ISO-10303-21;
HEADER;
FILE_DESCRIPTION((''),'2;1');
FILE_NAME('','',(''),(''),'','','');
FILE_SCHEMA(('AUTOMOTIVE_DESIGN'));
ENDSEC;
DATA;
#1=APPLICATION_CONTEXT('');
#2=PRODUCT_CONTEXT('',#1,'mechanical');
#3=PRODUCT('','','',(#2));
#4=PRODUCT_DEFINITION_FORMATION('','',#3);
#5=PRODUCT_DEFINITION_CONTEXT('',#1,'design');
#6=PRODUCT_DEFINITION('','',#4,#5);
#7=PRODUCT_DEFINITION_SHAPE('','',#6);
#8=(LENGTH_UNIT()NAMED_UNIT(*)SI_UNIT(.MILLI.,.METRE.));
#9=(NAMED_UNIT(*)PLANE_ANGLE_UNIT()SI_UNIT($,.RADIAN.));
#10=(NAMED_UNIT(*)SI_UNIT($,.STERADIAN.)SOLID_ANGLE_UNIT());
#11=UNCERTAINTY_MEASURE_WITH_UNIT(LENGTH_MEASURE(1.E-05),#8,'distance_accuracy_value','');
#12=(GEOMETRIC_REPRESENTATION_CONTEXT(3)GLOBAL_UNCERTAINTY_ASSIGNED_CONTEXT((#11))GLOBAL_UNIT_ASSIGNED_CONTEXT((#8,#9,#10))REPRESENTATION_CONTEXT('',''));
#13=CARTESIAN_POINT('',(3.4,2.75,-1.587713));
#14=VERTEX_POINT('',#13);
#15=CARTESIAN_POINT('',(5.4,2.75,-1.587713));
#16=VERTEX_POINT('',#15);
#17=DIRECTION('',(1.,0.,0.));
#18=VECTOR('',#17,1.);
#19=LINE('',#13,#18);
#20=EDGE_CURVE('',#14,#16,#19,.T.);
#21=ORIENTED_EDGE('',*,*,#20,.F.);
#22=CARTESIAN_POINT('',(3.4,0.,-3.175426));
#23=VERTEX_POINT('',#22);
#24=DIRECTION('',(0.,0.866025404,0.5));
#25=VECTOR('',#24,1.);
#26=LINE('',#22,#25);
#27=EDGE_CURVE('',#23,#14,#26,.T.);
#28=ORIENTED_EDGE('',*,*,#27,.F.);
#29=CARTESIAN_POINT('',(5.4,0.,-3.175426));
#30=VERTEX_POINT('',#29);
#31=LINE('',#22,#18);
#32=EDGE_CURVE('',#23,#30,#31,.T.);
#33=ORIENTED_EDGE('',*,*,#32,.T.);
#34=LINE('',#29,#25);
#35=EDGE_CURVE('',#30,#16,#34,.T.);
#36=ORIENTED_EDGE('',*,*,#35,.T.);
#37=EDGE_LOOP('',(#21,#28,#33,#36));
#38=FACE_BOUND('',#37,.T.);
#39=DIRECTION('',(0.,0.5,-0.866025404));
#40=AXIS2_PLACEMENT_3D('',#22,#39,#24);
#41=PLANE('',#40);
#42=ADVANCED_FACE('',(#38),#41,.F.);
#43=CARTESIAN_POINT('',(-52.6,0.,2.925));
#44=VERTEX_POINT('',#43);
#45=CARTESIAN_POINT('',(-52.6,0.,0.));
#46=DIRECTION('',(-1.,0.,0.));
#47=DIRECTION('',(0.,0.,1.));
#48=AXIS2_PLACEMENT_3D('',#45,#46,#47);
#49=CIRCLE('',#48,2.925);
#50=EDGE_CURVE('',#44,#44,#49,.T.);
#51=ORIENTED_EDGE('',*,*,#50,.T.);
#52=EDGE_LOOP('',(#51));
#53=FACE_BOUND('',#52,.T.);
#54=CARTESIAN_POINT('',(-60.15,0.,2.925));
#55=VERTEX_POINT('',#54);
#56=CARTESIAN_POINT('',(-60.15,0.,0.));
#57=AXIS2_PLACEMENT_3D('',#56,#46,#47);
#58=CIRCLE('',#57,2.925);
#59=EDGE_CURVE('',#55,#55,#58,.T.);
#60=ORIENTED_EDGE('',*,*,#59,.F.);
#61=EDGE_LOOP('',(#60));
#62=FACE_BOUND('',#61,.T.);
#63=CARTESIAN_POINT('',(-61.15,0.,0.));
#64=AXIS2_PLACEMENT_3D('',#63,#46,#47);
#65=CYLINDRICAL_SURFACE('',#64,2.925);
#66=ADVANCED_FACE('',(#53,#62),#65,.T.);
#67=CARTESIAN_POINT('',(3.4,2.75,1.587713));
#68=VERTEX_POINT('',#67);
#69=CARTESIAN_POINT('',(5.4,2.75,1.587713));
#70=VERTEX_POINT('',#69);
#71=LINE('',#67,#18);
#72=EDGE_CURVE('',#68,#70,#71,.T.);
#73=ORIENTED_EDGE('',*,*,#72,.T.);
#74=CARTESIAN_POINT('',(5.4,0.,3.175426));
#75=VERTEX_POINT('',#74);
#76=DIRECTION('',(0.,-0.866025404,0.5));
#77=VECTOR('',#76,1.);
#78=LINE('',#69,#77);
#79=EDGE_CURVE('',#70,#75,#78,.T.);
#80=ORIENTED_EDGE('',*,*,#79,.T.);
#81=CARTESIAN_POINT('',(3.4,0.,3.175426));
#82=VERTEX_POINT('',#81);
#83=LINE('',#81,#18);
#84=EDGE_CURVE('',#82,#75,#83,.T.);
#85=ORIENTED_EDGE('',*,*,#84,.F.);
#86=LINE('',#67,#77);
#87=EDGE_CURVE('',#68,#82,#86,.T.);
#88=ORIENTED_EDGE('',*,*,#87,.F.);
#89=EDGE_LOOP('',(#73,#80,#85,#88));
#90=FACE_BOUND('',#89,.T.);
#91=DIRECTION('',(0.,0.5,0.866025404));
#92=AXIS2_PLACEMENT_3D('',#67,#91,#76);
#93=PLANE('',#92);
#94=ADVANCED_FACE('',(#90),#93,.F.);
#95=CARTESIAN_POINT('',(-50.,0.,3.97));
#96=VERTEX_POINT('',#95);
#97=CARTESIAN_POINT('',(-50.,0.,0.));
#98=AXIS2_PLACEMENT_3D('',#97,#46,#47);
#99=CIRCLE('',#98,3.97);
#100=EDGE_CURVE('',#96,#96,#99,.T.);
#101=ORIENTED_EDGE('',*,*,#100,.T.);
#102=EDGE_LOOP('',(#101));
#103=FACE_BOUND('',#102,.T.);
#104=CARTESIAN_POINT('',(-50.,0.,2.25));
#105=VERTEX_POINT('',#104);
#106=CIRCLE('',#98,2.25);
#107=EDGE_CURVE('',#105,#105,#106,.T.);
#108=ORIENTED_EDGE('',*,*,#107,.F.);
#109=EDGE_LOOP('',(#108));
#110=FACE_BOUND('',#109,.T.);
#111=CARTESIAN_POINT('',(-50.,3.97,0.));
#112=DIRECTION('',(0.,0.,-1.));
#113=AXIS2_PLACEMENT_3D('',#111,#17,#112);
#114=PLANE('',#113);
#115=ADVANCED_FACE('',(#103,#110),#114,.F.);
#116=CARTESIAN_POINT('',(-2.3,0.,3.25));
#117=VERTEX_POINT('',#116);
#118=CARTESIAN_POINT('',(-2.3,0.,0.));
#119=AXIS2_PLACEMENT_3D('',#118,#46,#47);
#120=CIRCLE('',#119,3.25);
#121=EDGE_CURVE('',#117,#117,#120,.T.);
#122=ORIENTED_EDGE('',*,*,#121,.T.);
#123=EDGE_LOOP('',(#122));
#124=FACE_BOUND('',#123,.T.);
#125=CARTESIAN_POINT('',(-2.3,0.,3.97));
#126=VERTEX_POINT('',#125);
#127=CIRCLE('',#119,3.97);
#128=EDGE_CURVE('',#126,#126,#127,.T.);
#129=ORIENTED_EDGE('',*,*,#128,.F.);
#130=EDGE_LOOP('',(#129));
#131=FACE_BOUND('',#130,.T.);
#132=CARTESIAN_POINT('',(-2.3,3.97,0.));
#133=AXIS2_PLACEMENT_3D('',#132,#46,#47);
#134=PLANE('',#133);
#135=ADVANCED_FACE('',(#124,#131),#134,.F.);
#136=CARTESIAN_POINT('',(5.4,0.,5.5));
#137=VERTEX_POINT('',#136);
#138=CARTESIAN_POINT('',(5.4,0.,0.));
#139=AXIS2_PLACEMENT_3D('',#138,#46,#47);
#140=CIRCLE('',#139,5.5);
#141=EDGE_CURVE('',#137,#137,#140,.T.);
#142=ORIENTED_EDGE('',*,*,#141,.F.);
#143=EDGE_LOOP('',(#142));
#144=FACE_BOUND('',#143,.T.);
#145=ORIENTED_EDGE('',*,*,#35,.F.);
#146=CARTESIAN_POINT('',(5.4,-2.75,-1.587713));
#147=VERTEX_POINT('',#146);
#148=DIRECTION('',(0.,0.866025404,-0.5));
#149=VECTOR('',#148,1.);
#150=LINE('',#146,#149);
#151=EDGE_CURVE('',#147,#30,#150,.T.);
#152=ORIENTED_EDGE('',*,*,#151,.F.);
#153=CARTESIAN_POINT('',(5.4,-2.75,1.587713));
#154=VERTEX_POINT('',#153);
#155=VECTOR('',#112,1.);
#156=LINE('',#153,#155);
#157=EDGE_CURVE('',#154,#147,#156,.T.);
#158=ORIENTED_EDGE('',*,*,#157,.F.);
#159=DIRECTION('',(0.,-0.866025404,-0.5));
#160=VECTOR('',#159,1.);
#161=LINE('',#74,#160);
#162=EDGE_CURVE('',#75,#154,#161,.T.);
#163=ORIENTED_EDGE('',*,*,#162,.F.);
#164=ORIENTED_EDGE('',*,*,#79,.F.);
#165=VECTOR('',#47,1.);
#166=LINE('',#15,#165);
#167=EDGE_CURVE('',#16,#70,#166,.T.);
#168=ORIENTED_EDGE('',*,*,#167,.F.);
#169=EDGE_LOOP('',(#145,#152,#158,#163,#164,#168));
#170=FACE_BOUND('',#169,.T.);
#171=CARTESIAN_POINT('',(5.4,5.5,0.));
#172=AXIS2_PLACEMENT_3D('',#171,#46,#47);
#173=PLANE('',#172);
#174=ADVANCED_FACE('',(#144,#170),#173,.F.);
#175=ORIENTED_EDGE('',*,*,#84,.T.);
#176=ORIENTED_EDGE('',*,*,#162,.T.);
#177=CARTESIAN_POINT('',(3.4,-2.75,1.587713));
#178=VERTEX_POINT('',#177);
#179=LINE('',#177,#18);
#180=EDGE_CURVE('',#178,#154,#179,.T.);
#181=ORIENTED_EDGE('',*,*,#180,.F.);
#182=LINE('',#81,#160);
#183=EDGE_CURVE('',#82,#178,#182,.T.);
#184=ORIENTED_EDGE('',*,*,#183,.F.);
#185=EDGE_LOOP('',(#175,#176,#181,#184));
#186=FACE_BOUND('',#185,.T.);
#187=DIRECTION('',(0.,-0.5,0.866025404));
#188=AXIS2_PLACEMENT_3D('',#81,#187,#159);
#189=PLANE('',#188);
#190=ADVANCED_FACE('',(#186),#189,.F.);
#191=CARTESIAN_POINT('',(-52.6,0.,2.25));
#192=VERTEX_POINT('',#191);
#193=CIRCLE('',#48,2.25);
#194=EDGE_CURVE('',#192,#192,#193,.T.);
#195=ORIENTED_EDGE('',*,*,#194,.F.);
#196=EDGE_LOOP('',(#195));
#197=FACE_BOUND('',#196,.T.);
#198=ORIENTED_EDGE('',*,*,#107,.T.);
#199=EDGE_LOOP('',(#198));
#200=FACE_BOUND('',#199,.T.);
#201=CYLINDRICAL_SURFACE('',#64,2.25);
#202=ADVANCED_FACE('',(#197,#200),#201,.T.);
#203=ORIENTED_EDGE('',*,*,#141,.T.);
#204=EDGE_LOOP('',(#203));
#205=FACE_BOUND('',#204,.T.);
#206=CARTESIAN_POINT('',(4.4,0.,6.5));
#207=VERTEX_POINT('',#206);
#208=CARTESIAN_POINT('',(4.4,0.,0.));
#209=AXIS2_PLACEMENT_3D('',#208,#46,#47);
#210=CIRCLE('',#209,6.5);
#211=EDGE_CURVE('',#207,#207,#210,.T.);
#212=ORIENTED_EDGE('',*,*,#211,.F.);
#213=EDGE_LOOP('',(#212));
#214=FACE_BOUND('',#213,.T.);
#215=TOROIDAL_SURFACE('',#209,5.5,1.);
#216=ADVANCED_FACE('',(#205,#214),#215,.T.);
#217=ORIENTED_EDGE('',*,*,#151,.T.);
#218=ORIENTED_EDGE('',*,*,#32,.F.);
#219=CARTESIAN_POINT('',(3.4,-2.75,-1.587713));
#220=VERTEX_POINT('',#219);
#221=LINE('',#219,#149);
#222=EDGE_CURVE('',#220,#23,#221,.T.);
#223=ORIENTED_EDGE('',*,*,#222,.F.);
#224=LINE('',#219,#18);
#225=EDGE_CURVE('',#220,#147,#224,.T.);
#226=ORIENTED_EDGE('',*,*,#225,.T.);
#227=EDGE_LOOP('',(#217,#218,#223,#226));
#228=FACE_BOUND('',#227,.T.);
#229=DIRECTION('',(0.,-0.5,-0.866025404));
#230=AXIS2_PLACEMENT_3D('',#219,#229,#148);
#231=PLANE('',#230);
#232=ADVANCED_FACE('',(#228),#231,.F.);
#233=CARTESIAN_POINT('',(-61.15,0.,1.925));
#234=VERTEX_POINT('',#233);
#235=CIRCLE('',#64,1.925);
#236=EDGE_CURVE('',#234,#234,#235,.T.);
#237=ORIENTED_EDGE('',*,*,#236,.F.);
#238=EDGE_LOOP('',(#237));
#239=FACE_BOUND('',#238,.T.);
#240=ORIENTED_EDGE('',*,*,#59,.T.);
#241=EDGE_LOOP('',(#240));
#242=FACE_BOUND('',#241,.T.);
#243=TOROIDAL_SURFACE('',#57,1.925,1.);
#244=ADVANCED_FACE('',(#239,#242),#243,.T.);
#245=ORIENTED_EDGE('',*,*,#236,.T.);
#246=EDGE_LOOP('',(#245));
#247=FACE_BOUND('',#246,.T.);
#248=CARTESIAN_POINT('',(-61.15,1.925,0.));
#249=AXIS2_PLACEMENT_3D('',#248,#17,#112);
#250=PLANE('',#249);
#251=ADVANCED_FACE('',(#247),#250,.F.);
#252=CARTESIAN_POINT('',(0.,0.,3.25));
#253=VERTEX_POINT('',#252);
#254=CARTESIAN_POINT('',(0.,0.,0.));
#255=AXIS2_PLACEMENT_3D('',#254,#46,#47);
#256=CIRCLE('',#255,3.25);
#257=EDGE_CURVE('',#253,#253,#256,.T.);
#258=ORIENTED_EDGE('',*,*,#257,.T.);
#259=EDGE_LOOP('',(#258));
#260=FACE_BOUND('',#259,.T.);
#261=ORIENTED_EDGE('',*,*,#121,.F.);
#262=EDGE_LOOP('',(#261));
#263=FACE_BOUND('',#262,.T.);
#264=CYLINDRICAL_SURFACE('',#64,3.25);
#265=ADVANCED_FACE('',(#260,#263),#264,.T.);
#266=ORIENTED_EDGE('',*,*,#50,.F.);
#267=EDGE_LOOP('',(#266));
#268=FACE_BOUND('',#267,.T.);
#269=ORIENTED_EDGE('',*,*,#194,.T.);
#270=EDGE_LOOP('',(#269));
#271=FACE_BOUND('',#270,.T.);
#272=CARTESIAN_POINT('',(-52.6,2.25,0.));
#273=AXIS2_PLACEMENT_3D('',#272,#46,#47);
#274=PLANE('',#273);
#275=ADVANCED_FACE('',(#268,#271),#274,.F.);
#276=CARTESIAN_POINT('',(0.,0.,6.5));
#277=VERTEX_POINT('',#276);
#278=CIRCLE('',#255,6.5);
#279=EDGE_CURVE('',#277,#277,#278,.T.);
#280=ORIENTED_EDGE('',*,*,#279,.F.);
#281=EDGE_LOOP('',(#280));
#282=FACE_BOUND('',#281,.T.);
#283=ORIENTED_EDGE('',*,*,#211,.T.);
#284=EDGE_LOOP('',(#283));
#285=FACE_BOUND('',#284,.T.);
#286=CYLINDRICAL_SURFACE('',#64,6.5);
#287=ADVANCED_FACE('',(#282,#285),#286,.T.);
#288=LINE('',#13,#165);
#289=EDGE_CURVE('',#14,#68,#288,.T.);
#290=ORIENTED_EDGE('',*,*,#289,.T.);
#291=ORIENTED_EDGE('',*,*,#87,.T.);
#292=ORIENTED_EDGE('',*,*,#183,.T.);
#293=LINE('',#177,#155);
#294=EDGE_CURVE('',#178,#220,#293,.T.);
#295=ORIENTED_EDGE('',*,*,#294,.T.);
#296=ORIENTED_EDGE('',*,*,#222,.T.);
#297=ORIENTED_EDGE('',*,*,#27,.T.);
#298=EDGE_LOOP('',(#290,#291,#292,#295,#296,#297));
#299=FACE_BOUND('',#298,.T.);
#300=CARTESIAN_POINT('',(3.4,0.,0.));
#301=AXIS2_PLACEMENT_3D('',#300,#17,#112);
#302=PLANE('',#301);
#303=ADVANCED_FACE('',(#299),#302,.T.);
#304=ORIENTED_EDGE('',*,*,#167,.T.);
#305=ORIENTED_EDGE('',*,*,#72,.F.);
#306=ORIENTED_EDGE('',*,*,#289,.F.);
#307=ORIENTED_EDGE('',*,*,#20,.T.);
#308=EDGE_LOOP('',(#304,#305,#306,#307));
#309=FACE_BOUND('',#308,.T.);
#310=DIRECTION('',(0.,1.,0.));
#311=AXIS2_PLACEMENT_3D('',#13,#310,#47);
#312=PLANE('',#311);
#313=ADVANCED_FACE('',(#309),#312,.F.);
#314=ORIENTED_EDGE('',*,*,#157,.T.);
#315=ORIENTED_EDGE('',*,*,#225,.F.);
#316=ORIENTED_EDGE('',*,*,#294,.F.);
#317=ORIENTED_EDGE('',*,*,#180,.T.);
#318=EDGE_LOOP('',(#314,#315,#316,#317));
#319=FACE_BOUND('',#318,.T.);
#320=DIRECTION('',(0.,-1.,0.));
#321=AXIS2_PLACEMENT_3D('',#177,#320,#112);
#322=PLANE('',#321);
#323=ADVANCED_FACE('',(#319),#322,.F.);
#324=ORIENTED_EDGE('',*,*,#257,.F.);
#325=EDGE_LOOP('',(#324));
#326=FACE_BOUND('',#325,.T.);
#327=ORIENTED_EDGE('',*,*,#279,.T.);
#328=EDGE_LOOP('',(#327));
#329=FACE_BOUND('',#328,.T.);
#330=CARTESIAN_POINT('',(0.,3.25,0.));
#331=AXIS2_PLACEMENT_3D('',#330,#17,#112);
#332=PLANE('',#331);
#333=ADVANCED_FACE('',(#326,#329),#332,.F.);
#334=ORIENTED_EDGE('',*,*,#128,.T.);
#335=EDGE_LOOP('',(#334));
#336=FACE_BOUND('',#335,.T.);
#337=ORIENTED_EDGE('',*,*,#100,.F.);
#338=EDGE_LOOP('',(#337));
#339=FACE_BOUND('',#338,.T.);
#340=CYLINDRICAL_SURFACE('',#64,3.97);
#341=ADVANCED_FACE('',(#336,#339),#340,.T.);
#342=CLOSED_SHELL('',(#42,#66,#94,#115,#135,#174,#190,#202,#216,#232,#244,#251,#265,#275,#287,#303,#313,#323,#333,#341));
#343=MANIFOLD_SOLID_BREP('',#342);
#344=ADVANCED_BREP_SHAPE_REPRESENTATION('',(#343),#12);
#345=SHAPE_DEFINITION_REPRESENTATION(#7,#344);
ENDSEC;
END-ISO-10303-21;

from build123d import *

# Parameters (mm, degrees)
CUT_EXTRUDE1_DEPTH = 2


with BuildPart() as part:
    # Sketch2 → Revolve1 (revolve)
    with BuildSketch(Plane.XY):
        with BuildLine():
            Line((-50, 3.97), (-2.3, 3.97))
            Line((-2.3, 3.97), (-2.3, 3.25))
            Line((-2.3, 3.25), (0, 3.25))
            Line((0, 3.25), (0, 6.5))
            Line((0, 6.5), (4.4, 6.5))
            ThreePointArc((4.4, 6.5), (5.107106781, 6.207106781), (5.4, 5.5))
            Line((5.4, 5.5), (5.4, 0))
            Line((5.4, 0), (-61.15, 0))
            Line((-61.15, 0), (-61.15, 1.925))
            ThreePointArc((-61.15, 1.925), (-60.857106781, 2.632106781), (-60.15, 2.925))
            Line((-60.15, 2.925), (-52.6, 2.925))
            Line((-52.6, 2.925), (-52.6, 2.25))
            Line((-52.6, 2.25), (-50, 2.25))
            Line((-50, 2.25), (-50, 3.97))
        make_face()
    revolve(axis=Axis((-61.15, 0, 0), (1, 0, 0)))

    # Sketch3 → Cut-Extrude1 (cut)
    with BuildSketch(Plane(origin=(5.4, 0, 0), x_dir=(0, 0, -1), z_dir=(1, 0, 0))):
        Polygon((1.58771324, 2.75), (-1.58771324, 2.75), (-3.175426481, 0), (-1.58771324, -2.75), (1.58771324, -2.75), (3.175426481, 0), align=None)
    extrude(amount=-CUT_EXTRUDE1_DEPTH, mode=Mode.SUBTRACT)


solid = part.part
